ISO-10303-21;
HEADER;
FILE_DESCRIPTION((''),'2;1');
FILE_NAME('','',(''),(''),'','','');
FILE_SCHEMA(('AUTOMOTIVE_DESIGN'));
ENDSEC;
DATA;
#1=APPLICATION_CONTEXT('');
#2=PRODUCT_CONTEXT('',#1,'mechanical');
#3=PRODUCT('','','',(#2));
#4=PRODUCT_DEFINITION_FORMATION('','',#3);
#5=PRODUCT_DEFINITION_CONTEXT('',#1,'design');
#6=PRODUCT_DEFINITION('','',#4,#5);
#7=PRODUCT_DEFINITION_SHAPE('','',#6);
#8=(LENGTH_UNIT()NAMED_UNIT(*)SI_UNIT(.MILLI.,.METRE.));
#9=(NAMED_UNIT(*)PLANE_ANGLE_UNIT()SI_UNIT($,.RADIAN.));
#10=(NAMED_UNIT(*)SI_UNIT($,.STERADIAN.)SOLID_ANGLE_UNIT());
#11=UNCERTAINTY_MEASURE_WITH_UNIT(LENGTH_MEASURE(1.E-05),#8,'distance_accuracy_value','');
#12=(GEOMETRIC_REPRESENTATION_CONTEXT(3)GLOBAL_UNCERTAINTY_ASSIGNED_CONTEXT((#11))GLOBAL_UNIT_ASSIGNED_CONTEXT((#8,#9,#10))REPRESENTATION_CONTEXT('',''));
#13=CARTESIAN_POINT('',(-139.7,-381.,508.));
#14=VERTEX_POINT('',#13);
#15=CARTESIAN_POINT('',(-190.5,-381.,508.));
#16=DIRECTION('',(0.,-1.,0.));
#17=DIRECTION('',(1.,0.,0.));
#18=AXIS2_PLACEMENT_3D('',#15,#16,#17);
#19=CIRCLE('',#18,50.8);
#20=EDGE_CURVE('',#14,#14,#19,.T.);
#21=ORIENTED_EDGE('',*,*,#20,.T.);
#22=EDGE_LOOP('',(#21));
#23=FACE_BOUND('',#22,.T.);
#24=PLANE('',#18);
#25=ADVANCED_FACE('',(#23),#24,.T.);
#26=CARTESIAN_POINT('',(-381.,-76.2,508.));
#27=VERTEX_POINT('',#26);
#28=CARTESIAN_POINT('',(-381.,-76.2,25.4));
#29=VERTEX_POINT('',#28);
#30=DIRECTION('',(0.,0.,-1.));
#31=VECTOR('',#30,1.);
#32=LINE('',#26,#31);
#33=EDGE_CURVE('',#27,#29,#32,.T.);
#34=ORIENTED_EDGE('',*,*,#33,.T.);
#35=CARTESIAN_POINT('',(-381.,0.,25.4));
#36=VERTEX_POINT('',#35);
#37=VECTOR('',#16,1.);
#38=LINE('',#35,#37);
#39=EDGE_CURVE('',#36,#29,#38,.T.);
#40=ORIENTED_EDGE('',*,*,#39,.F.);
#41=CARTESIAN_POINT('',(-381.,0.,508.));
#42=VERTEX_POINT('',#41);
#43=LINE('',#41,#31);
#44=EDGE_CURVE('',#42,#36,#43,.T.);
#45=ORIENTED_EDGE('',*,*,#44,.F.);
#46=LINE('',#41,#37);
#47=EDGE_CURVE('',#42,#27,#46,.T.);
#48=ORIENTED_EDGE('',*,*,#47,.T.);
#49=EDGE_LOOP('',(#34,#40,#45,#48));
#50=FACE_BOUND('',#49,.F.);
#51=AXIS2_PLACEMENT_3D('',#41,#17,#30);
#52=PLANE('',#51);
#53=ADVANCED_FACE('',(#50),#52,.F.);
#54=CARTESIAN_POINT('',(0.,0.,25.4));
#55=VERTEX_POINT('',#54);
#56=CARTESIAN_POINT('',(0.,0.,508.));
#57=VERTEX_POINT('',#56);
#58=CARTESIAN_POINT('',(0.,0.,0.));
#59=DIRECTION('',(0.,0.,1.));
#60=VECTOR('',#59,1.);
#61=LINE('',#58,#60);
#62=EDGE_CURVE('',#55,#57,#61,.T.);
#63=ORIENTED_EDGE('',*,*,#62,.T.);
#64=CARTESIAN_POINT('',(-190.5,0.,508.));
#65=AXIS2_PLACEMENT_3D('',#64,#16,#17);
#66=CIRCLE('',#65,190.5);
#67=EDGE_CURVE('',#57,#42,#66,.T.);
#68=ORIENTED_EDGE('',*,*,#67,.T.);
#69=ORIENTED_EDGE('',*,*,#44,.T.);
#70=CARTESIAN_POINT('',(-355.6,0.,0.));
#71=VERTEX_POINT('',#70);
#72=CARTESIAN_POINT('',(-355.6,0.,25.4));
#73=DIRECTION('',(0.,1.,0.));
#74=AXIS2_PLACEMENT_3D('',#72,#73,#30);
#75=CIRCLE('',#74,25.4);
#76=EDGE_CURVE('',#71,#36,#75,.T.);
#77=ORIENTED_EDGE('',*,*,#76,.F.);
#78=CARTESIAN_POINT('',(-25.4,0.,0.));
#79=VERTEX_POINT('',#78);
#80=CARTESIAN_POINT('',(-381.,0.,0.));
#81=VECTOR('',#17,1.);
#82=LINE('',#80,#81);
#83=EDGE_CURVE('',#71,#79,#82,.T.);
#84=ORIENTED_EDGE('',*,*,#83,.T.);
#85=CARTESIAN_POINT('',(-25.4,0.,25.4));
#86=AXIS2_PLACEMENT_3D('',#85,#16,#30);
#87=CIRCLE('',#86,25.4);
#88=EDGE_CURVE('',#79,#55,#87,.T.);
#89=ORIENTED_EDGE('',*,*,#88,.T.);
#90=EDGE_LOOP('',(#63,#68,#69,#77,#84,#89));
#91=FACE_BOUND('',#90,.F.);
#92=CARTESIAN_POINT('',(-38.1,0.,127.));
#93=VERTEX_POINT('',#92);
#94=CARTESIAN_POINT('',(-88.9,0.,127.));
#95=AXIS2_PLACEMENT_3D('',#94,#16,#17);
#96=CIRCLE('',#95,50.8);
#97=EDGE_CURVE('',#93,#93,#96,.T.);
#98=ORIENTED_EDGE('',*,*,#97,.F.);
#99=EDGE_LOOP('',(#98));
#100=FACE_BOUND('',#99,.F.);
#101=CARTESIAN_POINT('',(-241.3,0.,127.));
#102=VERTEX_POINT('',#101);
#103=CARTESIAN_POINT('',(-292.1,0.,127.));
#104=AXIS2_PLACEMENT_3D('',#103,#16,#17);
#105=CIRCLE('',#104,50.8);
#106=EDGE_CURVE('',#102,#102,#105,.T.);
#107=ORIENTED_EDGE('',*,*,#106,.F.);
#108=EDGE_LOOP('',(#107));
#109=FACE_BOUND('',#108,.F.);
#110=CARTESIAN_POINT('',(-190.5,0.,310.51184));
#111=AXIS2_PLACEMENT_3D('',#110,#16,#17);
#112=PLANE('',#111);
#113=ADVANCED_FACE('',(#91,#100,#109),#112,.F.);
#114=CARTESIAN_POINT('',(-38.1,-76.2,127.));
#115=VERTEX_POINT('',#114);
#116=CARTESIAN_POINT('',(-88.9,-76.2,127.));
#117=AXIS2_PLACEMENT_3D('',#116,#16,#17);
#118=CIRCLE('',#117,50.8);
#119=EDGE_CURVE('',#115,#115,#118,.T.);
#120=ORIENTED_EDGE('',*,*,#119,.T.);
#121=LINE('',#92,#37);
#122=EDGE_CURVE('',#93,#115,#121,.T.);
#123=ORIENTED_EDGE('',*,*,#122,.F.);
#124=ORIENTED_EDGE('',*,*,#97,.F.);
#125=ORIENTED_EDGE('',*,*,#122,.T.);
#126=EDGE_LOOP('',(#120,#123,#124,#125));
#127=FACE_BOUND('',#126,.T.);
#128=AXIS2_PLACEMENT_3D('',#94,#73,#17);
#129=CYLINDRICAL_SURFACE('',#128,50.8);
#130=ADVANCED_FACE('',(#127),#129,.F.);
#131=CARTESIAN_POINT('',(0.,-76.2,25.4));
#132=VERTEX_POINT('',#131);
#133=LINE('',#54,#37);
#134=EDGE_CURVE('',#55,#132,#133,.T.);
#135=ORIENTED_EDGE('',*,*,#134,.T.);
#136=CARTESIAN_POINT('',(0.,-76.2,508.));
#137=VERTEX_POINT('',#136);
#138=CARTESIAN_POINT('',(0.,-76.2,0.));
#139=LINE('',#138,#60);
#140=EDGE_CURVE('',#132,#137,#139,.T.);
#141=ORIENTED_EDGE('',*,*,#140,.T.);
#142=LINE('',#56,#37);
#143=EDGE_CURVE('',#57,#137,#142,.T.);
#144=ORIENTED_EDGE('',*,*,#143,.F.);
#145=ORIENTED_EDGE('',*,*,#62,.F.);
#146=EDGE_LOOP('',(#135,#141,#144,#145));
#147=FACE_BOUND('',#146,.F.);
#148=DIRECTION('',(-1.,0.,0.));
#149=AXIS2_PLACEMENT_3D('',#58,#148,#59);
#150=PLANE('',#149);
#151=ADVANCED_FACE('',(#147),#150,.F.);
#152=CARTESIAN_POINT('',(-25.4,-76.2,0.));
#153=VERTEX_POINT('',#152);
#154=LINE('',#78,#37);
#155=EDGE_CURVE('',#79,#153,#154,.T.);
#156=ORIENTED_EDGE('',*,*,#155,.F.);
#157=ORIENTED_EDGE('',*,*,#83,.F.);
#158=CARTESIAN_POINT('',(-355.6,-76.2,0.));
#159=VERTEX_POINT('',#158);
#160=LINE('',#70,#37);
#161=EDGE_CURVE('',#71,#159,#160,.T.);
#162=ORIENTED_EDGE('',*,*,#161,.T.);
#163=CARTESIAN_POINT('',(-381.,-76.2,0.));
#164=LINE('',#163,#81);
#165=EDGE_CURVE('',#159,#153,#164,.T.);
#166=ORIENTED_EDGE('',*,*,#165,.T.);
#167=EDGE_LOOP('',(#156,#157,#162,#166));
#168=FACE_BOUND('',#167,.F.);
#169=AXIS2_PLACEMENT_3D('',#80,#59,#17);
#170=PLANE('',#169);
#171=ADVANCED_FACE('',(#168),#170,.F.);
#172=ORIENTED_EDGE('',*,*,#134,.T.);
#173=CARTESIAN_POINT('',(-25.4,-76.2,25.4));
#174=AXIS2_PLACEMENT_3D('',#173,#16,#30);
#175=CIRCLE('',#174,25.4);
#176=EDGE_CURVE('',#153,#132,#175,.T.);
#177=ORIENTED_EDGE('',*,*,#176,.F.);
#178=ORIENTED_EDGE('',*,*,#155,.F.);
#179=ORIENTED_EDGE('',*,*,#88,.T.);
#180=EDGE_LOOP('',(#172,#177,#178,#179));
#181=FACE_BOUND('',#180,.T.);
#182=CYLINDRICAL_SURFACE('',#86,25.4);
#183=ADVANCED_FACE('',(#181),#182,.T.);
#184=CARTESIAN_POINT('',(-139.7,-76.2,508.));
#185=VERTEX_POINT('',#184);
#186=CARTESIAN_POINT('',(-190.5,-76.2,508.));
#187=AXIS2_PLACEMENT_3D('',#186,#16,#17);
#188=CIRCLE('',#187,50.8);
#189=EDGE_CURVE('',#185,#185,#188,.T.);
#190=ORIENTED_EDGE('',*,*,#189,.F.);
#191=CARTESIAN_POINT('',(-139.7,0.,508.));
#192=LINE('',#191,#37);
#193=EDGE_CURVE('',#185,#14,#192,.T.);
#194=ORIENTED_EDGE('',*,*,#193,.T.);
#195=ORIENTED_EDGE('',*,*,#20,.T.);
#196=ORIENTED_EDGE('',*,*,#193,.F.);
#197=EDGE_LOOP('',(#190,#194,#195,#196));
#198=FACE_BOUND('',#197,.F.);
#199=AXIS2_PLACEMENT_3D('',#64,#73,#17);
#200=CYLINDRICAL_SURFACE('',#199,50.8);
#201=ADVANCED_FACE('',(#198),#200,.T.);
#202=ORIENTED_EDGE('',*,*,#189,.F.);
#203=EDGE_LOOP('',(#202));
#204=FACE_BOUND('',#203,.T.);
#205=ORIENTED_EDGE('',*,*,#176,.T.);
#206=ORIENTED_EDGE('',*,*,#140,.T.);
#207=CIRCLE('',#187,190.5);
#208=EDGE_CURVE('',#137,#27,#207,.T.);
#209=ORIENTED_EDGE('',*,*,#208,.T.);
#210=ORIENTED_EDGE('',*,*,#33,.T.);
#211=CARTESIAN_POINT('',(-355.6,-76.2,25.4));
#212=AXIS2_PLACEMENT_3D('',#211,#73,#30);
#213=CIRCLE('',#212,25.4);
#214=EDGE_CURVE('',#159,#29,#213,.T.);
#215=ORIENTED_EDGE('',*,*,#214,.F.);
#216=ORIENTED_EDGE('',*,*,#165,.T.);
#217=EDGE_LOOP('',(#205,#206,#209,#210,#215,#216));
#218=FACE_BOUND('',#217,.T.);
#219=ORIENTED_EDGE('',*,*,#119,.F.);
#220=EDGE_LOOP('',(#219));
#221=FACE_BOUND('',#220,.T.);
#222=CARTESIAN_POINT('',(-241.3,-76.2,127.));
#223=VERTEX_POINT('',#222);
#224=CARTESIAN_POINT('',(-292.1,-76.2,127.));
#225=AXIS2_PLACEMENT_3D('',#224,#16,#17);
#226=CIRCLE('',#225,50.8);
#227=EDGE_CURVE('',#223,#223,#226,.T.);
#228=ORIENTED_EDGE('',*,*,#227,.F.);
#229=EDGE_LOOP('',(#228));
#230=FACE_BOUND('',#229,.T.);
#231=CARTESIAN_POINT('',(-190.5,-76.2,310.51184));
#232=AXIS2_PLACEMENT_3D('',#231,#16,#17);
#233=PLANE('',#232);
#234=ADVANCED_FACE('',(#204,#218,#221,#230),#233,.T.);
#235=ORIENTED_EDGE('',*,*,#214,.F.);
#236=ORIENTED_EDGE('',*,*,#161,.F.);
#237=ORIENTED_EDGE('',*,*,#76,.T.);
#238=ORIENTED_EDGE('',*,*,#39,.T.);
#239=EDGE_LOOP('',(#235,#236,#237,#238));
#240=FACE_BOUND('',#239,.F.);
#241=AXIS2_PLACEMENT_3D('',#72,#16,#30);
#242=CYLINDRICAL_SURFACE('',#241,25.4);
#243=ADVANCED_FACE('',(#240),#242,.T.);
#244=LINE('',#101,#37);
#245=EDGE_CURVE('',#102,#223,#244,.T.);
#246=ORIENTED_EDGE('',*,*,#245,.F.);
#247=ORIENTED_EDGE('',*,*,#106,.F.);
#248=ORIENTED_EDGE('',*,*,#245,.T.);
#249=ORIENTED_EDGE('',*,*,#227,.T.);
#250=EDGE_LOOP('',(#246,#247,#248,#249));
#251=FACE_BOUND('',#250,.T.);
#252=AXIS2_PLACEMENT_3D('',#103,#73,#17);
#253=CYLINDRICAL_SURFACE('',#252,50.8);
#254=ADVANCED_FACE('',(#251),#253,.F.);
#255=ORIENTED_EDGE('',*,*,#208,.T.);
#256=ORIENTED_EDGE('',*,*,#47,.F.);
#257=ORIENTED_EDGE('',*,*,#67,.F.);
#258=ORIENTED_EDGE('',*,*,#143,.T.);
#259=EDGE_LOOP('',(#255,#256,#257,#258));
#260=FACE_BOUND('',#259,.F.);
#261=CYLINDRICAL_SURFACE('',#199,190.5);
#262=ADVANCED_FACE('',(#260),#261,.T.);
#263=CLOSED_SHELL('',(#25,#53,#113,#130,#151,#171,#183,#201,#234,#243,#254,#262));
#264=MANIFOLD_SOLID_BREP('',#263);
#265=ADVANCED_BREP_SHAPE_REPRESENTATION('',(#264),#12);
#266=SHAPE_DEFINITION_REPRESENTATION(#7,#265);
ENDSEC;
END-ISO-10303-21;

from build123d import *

# Parameters (mm, degrees)
F0_R     = 50.8
F1_DEPTH = 76.2
F2_DEPTH = 381
F3_R     = 25.4


with BuildPart() as f1:
    # F0 (on Front) → F1 (new body)
    with BuildSketch(Plane.XZ):
        with BuildLine():
            Line((-381, 0), (0, 0))
            Line((0, 0), (0, 508))
            ThreePointArc((0, 508), (-190.5, 698.5), (-381, 508))
            Line((-381, 508), (-381, 0))
        make_face()
        with Locations((-292.1, 127)):
            Circle(F0_R, mode=Mode.SUBTRACT)
        with Locations((-88.9, 127)):
            Circle(F0_R, mode=Mode.SUBTRACT)
        with Locations((-190.5, 508)):
            Circle(F0_R, mode=Mode.SUBTRACT)
    extrude(amount=F1_DEPTH)

    # F0 (on Front) → F2 (join)
    with BuildSketch(Plane.XZ):
        with Locations((-190.5, 508)):
            Circle(F0_R)
    extrude(amount=F2_DEPTH)

    # F3
    f3_edges = [f1.edges().sort_by_distance(p)[0] for p in [
        (-381, -38.1, 0),
        (0, -38.1, 0),
    ]]
    fillet(f3_edges, radius=F3_R)


solid = f1.part
